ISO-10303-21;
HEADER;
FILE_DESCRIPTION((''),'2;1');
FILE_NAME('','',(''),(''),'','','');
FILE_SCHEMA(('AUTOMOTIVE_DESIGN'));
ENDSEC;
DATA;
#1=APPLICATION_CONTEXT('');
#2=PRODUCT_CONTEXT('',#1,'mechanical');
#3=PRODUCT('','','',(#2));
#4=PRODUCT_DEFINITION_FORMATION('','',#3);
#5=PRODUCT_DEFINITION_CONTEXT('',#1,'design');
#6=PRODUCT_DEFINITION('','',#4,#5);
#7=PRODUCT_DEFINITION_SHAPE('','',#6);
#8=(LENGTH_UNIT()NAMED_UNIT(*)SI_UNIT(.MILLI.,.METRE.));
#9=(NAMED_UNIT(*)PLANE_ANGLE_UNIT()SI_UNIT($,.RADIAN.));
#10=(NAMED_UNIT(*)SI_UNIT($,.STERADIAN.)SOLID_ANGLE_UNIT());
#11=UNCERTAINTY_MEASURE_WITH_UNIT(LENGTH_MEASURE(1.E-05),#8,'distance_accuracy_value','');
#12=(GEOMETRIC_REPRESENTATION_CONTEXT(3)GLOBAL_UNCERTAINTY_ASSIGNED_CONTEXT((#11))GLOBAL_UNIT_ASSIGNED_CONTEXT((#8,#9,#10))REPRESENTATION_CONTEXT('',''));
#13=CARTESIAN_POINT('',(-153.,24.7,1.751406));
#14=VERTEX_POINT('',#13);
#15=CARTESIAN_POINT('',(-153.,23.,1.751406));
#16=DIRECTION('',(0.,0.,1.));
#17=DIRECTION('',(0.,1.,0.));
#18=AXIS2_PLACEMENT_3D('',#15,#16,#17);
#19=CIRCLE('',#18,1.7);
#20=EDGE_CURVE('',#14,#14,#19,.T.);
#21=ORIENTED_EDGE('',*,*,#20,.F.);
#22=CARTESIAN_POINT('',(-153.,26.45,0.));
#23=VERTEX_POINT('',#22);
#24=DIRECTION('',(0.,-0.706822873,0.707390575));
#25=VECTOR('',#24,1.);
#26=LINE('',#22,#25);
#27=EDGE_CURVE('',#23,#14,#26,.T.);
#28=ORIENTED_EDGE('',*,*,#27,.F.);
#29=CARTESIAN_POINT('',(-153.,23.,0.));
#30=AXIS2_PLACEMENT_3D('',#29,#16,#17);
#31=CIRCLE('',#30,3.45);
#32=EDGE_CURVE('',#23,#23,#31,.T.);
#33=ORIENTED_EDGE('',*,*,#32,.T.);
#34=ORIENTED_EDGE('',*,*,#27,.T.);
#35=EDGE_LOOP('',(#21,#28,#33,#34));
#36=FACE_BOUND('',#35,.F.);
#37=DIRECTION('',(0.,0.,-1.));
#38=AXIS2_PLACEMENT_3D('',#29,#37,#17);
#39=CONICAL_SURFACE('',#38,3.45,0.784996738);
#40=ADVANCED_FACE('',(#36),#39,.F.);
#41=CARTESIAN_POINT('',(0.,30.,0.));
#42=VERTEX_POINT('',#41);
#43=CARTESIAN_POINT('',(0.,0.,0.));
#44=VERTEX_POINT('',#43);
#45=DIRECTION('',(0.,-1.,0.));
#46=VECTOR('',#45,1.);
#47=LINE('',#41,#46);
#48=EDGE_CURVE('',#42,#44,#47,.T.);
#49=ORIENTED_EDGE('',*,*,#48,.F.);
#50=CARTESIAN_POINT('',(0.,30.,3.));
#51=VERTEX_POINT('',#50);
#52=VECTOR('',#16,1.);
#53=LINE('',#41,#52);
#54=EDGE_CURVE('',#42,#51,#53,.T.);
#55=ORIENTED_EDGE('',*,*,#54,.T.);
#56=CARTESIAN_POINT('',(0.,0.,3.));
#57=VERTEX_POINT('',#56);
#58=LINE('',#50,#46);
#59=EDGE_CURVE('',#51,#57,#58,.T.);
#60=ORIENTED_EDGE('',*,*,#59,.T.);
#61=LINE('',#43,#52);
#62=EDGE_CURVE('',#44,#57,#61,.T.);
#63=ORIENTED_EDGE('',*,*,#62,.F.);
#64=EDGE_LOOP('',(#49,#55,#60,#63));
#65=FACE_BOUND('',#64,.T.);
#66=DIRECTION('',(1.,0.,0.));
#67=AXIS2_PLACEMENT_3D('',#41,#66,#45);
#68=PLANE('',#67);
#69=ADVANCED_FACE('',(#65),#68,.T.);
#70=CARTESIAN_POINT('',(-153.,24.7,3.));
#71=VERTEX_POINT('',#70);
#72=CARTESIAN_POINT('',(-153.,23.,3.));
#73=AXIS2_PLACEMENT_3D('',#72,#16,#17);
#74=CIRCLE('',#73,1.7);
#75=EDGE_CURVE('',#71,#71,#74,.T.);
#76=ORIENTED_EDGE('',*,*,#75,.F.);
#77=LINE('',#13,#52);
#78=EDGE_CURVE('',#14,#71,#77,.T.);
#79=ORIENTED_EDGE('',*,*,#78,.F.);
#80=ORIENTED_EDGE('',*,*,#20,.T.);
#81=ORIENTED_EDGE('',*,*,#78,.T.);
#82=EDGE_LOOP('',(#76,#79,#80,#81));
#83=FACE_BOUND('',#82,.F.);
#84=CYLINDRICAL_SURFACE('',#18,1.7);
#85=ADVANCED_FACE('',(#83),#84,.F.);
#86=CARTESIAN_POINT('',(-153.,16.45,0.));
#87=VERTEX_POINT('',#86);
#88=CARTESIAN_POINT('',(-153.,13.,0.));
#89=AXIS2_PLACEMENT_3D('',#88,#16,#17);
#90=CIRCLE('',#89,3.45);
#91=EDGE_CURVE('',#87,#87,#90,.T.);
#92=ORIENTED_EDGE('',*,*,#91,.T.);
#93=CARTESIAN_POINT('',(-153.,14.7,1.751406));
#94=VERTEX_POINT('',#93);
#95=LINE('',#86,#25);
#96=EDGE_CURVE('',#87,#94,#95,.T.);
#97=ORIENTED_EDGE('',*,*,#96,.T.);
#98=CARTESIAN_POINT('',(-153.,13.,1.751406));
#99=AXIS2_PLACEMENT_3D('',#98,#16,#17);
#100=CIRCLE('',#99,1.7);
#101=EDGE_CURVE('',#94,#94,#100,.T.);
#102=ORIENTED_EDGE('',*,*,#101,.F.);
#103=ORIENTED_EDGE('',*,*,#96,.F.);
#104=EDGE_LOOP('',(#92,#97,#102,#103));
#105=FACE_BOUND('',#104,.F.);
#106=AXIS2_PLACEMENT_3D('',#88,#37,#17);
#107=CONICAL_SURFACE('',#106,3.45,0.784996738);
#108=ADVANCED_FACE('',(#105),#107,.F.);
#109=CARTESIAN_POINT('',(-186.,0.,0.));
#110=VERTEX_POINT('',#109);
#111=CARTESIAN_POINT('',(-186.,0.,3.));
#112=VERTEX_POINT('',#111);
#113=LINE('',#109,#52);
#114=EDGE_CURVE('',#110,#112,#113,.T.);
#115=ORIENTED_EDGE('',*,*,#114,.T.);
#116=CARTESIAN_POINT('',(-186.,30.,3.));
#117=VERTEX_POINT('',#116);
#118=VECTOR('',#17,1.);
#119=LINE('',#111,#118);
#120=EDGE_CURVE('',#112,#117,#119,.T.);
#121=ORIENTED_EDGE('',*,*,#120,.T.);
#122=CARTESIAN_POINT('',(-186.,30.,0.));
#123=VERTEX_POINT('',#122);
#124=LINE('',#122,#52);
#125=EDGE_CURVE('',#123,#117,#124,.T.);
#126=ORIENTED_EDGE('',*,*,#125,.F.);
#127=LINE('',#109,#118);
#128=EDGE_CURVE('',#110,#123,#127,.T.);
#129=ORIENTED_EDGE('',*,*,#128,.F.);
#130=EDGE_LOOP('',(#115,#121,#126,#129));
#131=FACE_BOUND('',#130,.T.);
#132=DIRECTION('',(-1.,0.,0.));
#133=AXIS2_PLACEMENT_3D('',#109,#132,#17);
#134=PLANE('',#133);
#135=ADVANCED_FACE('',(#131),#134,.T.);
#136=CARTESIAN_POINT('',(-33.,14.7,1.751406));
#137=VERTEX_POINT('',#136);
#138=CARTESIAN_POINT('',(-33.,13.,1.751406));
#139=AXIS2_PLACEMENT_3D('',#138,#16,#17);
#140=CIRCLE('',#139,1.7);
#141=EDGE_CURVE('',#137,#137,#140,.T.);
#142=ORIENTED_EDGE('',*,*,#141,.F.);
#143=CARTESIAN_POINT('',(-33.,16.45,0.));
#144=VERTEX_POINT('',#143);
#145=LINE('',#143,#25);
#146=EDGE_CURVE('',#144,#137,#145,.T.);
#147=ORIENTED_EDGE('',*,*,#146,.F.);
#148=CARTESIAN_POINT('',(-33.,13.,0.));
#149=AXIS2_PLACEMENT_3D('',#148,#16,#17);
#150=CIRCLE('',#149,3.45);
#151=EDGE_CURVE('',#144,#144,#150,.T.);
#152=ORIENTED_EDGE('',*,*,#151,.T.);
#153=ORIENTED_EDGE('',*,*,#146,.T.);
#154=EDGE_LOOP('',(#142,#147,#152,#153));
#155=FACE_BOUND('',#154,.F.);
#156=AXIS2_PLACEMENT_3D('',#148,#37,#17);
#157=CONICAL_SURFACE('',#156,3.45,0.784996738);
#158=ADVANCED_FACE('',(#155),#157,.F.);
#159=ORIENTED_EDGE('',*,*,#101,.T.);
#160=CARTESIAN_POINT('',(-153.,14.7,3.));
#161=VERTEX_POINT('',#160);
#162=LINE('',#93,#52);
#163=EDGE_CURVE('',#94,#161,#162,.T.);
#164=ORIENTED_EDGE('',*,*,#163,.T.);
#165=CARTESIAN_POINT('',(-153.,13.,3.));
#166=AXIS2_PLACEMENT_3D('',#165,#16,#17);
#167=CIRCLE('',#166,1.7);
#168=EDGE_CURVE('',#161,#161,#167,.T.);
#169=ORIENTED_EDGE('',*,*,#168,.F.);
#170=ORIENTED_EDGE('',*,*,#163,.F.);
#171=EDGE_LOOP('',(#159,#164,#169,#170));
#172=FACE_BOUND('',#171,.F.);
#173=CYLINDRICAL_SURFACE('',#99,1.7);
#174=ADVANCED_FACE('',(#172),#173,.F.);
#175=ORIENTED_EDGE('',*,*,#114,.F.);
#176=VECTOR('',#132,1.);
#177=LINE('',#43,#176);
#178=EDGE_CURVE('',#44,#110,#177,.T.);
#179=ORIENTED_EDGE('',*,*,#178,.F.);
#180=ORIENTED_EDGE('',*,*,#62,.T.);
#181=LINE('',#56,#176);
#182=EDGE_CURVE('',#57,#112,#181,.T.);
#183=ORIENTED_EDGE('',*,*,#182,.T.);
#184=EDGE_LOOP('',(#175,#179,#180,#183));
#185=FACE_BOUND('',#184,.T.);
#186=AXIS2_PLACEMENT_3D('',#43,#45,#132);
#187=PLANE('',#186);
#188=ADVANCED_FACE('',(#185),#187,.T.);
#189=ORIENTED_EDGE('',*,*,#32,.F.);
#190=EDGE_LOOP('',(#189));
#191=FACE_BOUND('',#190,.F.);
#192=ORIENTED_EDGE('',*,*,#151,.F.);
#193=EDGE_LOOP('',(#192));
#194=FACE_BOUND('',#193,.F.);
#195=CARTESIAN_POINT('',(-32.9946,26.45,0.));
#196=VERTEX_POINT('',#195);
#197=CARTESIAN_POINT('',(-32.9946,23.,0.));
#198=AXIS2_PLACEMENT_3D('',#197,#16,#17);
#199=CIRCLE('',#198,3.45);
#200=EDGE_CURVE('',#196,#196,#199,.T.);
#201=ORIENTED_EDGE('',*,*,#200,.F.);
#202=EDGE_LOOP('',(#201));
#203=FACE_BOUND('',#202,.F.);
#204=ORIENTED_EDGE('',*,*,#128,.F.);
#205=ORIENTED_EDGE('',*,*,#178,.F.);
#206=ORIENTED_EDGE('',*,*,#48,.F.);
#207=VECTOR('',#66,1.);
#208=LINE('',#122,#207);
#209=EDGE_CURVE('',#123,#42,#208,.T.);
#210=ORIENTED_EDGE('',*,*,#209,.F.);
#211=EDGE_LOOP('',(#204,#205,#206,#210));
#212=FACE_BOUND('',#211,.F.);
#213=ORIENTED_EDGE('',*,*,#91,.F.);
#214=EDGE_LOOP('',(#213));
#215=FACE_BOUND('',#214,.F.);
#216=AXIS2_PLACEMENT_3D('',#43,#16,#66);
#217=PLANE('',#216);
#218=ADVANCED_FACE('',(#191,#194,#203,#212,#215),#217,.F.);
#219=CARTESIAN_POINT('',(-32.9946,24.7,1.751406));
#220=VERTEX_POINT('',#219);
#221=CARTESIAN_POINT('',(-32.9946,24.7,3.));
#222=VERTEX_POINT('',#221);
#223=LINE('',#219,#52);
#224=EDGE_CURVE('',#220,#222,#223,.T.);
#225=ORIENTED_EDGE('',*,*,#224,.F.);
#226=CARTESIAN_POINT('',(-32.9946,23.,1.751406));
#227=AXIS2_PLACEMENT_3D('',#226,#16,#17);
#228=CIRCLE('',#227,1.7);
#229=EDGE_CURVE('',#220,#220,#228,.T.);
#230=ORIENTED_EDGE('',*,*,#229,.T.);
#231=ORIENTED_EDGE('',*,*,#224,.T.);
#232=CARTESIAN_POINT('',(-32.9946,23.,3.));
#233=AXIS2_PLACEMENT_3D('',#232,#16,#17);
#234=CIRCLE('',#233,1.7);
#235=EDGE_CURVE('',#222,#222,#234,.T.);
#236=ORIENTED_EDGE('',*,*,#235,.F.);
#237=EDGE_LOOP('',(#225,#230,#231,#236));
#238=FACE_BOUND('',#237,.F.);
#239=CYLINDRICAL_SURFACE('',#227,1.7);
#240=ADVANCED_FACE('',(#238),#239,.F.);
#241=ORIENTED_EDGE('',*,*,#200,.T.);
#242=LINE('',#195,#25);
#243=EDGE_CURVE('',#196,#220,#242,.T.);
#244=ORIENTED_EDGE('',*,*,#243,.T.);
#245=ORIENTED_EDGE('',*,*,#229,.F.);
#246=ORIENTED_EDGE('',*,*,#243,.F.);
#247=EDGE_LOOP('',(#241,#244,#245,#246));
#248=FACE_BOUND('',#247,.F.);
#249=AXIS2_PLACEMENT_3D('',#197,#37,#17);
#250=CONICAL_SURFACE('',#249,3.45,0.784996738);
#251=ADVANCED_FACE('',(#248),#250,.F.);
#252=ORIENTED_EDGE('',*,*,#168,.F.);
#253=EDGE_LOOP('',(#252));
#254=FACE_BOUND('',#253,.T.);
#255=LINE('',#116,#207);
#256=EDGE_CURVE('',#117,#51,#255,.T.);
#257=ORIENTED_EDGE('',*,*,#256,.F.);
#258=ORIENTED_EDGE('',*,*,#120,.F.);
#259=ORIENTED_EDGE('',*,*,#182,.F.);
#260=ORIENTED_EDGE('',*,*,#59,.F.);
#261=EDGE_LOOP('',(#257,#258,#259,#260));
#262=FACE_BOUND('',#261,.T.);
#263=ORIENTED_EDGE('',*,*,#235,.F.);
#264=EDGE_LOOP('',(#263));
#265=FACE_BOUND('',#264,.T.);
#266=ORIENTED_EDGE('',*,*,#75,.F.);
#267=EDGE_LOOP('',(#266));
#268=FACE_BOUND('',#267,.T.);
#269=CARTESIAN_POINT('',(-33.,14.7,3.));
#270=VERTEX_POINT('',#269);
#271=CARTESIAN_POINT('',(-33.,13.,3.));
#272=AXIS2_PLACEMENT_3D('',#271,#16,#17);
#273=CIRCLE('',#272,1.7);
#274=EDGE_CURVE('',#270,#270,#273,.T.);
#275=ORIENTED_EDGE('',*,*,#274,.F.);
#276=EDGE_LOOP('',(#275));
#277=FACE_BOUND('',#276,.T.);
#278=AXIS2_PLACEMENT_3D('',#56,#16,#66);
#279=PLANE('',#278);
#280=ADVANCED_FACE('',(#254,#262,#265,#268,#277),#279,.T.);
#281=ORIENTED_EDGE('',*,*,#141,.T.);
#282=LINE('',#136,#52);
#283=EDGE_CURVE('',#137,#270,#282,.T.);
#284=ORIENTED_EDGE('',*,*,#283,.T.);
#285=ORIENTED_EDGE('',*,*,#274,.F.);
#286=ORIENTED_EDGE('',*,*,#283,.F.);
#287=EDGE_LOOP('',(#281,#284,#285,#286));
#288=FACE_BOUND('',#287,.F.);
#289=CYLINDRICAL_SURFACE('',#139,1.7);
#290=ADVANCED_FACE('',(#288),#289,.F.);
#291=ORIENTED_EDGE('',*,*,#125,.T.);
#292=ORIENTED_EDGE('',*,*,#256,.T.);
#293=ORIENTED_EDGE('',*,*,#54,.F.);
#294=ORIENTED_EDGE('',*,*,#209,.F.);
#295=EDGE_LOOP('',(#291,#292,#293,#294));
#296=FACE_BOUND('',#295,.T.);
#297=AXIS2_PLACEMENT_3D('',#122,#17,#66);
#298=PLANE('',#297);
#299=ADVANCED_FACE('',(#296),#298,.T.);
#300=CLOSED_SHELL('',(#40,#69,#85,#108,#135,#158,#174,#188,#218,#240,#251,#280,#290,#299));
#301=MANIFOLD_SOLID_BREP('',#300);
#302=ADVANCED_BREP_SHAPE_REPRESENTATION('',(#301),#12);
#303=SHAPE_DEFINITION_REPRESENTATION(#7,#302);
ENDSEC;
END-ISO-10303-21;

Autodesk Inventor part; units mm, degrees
ref_plane "YZ Plane" through (0, 0, 0) normal (1, 0, 0) x (0, 1, 0)
ref_plane "XZ Plane" through (0, 0, 0) normal (0, 1, 0) x (-1, 0, 0)
ref_plane "XY Plane" through (0, 0, 0) normal (0, 0, 1) x (1, 0, 0)
sketch "Sketch1" plane through (0, 0, 0) normal (0, 0, 1) x (1, 0, 0)
  line L0 (0, 0) -> (-186, 0)
  line L1 (-186, 0) -> (-186, 30)
  line L2 (-186, 30) -> (0, 30)
  line L3 (0, 30) -> (0, 0)
  dimension "d0" = 186
  dimension "d1" = 30
extrude "Extrusion1" add sketch "Sketch1" along normal blind 3
sketch "Sketch2" plane through (0, 0, 0) normal (0, 0, -1) x (-1, 0, 0)
  line L0 (0, 0) -> (186, 0) projected
  line L1 (0, 0) -> (33, 0)
  line L2 (33, 0) -> (33, 13)
  line L3 (33, 13) -> (0, 13)
  line L4 (0, 13) -> (0, 0)
  line L5 (0, 30) -> (186, 30) projected
  line L6 (0, 30) -> (32.9946, 30)
  line L7 (32.9946, 30) -> (32.9946, 23)
  line L8 (32.9946, 23) -> (0, 23)
  line L9 (0, 23) -> (0, 30)
  line L10 (186, 0) -> (153, 0)
  line L11 (153, 0) -> (153, 13)
  line L12 (153, 13) -> (186, 13)
  line L13 (186, 13) -> (186, 0)
  line L14 (186, 30) -> (153, 30)
  line L15 (153, 30) -> (153, 23)
  line L16 (153, 23) -> (186, 23)
  line L17 (186, 23) -> (186, 30)
  dimension "d16" = 33
  dimension "d17" = 13
  dimension "d18" = 32.9946
  dimension "d19" = 7
  dimension "d20" = 33
hole "Hole1" at (-32.9946, 23, 0) at (-33, 13, 0) at (-153, 23, 0) at (-153, 13, 0) direction (0, 0, 1) diameter 3.4 end through all countersink diameter 6.9 countersink angle 89.954 clearance for "Countersunk Flat Head Screw ISO 2009/7046" size "M3" standard "ISO"
properties part number "tyl"
